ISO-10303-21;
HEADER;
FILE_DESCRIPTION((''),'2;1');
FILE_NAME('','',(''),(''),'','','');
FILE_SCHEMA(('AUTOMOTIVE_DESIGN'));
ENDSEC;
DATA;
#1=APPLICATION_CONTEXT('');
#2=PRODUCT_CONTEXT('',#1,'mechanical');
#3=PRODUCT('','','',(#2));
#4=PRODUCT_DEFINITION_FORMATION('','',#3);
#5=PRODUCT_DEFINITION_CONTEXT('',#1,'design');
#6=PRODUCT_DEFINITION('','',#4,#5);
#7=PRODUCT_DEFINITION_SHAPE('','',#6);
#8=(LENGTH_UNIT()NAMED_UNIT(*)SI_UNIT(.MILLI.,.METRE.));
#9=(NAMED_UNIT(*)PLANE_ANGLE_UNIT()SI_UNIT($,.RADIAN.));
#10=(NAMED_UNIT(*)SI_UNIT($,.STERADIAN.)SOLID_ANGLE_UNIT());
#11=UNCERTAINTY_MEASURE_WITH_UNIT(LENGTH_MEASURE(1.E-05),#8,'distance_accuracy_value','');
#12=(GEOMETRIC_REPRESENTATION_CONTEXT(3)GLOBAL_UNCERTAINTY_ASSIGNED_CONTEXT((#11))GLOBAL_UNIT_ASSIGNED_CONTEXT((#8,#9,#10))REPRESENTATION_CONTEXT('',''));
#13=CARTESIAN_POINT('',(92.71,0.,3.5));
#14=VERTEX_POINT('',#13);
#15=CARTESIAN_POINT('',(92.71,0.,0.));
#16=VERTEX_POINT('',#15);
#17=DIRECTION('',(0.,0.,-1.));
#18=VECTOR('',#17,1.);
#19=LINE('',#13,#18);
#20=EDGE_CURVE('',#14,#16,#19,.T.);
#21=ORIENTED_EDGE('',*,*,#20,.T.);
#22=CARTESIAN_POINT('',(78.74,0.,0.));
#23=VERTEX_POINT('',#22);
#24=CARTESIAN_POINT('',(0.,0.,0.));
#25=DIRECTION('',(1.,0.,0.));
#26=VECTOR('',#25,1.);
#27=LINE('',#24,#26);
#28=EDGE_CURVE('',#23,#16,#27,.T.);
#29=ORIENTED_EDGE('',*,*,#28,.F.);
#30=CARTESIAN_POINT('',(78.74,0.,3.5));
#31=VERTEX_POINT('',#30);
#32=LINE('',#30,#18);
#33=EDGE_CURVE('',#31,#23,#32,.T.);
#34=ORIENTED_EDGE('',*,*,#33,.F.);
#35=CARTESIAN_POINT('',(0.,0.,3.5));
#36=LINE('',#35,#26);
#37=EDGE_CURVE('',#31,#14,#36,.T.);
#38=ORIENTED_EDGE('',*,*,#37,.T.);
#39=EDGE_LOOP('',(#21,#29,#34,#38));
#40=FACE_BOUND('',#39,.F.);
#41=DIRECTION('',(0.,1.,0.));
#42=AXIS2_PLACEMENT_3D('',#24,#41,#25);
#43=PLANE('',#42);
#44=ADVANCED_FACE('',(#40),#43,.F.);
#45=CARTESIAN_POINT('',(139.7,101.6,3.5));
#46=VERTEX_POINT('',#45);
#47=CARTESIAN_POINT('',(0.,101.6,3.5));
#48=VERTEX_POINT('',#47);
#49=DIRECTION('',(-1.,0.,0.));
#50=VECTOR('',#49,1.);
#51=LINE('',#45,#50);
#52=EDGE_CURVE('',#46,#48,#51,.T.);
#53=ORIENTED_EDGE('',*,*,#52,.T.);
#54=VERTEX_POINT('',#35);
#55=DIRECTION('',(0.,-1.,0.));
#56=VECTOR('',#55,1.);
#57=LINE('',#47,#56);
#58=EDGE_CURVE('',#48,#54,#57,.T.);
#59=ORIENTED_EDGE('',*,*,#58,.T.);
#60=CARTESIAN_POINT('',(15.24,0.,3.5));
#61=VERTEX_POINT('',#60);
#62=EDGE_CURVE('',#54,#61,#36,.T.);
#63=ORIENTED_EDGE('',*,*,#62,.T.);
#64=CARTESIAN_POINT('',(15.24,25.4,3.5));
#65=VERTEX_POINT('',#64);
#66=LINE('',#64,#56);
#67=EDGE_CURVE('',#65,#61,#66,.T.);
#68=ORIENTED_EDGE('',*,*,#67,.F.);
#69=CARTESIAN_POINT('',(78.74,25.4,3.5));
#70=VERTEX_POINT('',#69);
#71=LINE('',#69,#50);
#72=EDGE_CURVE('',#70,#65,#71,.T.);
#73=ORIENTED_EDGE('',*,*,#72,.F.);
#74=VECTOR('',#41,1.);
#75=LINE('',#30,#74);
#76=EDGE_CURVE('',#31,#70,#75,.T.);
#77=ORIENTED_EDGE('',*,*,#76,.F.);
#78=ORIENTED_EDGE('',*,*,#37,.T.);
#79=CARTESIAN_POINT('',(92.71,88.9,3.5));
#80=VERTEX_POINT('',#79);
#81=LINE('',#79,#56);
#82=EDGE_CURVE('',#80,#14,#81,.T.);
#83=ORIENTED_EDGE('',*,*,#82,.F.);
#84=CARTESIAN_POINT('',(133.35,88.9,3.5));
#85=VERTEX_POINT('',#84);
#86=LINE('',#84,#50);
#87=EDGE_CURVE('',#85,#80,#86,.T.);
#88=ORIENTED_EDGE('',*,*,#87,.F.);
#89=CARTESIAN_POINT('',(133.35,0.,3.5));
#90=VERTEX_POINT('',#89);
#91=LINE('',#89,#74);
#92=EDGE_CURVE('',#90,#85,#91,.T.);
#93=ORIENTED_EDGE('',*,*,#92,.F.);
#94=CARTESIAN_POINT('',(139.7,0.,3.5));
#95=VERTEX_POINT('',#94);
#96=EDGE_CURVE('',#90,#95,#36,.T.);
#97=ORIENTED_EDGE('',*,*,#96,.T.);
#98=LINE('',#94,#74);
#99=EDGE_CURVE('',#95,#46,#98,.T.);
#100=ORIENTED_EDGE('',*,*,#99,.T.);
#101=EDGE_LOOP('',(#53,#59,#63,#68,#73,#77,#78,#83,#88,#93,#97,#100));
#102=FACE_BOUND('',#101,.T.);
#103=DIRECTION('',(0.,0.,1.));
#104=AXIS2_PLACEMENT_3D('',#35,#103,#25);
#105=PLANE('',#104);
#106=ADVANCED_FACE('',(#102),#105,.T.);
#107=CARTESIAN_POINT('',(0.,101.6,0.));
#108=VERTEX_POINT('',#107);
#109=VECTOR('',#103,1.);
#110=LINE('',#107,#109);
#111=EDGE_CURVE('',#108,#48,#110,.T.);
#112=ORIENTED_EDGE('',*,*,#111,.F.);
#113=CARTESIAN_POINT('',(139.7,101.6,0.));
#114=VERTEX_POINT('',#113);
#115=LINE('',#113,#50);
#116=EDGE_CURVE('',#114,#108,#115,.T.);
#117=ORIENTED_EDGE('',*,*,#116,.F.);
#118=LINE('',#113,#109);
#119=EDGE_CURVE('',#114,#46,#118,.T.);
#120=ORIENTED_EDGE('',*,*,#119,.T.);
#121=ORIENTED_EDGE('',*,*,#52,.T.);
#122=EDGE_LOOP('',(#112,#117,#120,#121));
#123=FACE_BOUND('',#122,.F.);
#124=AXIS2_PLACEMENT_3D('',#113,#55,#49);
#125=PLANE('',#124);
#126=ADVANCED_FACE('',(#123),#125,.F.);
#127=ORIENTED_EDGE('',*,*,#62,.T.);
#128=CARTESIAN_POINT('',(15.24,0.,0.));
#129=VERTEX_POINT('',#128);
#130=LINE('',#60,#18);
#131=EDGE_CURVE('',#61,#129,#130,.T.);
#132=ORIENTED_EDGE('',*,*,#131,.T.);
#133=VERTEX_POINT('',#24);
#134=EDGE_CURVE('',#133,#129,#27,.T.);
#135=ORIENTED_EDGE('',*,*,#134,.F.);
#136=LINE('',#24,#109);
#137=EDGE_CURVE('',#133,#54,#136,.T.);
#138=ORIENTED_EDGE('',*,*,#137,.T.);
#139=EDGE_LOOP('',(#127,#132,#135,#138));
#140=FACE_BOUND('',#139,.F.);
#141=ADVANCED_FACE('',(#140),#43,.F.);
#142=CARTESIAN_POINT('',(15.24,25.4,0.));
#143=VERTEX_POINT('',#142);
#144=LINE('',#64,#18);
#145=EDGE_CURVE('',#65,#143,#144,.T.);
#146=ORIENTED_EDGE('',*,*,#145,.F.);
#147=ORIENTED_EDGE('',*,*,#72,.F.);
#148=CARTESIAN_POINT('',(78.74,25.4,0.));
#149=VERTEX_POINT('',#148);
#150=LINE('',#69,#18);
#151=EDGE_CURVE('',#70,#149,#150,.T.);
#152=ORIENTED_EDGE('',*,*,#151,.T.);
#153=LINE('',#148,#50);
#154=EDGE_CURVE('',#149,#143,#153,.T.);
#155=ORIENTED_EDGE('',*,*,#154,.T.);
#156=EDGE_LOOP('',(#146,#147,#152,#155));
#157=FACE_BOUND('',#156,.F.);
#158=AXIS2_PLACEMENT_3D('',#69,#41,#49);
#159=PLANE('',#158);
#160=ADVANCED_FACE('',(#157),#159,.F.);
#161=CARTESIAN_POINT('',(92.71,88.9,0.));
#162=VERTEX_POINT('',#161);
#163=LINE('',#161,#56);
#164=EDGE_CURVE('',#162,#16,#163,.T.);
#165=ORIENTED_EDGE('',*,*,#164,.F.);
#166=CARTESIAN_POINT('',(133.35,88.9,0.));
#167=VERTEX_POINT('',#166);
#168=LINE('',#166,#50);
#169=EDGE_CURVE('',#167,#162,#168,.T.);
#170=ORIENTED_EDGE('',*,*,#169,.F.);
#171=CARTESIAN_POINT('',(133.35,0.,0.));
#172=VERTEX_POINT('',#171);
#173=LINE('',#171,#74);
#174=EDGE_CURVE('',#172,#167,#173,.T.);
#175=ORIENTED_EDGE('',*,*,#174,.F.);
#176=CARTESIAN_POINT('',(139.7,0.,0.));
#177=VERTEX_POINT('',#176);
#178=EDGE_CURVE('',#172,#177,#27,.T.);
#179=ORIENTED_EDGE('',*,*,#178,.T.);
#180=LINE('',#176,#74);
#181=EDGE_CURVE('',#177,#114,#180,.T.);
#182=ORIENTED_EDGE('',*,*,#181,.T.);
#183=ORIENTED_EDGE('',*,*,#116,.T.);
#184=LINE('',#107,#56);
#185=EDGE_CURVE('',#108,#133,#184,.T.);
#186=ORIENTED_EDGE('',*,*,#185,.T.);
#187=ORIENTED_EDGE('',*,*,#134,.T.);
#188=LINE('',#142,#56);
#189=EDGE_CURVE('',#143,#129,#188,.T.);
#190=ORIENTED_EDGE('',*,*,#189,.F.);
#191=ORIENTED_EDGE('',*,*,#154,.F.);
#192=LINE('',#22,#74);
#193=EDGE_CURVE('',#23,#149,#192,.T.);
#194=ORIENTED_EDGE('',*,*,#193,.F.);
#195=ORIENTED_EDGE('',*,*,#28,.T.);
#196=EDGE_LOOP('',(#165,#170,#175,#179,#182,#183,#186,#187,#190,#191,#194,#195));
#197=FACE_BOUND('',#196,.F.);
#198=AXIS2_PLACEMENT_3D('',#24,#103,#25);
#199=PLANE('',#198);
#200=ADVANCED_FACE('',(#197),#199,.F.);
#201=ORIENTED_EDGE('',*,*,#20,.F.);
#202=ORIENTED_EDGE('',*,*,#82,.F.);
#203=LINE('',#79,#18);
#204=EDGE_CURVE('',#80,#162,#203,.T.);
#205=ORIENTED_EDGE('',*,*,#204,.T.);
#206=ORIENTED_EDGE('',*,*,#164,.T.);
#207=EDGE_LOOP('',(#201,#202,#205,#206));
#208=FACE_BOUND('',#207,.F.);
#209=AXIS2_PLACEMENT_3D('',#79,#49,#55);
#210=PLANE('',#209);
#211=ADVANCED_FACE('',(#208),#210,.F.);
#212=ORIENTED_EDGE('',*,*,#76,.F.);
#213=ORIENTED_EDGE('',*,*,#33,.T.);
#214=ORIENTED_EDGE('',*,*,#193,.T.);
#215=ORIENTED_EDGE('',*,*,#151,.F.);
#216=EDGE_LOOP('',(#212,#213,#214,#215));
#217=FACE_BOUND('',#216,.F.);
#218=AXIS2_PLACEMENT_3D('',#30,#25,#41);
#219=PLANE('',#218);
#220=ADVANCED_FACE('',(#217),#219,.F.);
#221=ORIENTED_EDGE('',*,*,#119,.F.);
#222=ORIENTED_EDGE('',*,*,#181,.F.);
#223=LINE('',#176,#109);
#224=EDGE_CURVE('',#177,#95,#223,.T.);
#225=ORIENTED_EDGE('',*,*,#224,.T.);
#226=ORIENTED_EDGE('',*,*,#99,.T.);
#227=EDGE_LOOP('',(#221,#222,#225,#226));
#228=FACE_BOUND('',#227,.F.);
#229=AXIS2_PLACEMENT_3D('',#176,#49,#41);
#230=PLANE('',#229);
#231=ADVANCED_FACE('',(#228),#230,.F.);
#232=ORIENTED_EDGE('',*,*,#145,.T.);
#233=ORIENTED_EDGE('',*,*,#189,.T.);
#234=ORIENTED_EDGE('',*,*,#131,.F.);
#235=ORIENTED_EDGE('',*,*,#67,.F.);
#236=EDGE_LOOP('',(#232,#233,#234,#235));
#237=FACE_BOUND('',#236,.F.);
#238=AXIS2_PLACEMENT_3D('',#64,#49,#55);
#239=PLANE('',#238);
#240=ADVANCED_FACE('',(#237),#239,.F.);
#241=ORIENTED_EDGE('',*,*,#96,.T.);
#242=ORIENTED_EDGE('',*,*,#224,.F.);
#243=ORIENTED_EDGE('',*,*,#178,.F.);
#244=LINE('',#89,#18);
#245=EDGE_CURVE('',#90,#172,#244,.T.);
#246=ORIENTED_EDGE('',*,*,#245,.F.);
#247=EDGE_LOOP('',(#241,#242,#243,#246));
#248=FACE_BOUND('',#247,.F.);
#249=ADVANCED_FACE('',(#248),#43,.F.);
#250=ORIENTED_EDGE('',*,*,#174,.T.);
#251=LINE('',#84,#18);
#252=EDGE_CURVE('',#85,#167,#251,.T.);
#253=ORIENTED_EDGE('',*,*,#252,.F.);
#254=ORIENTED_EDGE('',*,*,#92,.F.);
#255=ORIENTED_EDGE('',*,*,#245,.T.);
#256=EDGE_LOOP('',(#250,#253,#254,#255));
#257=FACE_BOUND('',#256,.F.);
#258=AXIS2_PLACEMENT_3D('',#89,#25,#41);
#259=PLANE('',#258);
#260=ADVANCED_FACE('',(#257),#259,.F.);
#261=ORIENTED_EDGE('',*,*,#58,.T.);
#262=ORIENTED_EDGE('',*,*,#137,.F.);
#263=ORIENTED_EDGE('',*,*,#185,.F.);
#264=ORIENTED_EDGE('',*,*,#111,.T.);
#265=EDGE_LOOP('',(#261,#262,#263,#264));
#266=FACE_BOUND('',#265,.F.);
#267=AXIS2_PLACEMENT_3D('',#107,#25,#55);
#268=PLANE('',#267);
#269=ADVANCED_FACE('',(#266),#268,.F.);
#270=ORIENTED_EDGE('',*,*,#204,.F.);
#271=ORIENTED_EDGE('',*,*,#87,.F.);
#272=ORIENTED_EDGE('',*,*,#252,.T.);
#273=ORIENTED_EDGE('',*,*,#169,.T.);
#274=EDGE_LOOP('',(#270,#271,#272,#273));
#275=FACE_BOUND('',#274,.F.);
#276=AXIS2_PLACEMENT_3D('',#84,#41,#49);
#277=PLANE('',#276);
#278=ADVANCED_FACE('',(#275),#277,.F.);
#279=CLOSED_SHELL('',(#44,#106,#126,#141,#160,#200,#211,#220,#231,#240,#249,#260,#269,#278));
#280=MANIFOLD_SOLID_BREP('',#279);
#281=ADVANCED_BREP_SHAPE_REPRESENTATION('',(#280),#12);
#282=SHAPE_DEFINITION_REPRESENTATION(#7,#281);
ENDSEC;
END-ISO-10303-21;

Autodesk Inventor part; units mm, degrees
ref_plane "YZ Plane" through (0, 0, 0) normal (1, 0, 0) x (0, 1, 0)
ref_plane "XZ Plane" through (0, 0, 0) normal (0, 1, 0) x (-1, 0, 0)
ref_plane "XY Plane" through (0, 0, 0) normal (0, 0, 1) x (1, 0, 0)
sketch "Sketch1" plane through (0, 0, 0) normal (0, 0, 1) x (1, 0, 0)
  line L0 (0, 0) -> (139.7, 0)
  line L1 (139.7, 0) -> (139.7, 101.6)
  line L2 (139.7, 101.6) -> (0, 101.6)
  line L3 (0, 101.6) -> (0, 0)
  dimension "d0" = 139.7
  dimension "d1" = 101.6
extrude "Extrusion1" add sketch "Sketch1" along normal blind 3.5
sketch "Sketch2" plane through (0, 0, 3.5) normal (0, 0, 1) x (1, 0, 0)
  line L0 (0, 0) -> (139.7, 0) projected
  line L1 (92.71, 0) -> (133.35, 0)
  line L2 (133.35, 0) -> (133.35, 88.9)
  line L3 (133.35, 88.9) -> (92.71, 88.9)
  line L4 (92.71, 88.9) -> (92.71, 0)
  line L5 (139.7, 0) -> (139.7, 101.6) projected
  dimension "d4" = 88.9
  dimension "d5" = 6.35
  dimension "d6" = 40.64
extrude "Extrusion2" cut sketch "Sketch2" against normal blind 3.5
sketch "Sketch3" plane through (0, 0, 3.5) normal (0, 0, 1) x (1, 0, 0)
  line L0 (15.24, 0) -> (78.74, 0)
  line L1 (78.74, 0) -> (78.74, 25.4)
  line L2 (78.74, 25.4) -> (15.24, 25.4)
  line L3 (15.24, 25.4) -> (15.24, 0)
  line L4 (133.35, 88.9) -> (133.35, 0) projected
  line L5 (133.35, 0) -> (139.7, 0) projected
  line L6 (139.7, 0) -> (139.7, 101.6) projected
  line L7 (139.7, 101.6) -> (0, 101.6) projected
  line L8 (0, 101.6) -> (0, 0) projected
  line L9 (0, 0) -> (92.71, 0) projected
  line L10 (92.71, 0) -> (92.71, 88.9) projected
  line L11 (92.71, 88.9) -> (133.35, 88.9) projected
  dimension "d9" = 25.4
  dimension "d10" = 13.97
  dimension "d11" = 63.5
  dimension "d12" = 0
extrude "Extrusion3" cut sketch "Sketch3" against normal blind 3.5 contours L3 L2 L1 L0
properties part number "CANIMDWall"
